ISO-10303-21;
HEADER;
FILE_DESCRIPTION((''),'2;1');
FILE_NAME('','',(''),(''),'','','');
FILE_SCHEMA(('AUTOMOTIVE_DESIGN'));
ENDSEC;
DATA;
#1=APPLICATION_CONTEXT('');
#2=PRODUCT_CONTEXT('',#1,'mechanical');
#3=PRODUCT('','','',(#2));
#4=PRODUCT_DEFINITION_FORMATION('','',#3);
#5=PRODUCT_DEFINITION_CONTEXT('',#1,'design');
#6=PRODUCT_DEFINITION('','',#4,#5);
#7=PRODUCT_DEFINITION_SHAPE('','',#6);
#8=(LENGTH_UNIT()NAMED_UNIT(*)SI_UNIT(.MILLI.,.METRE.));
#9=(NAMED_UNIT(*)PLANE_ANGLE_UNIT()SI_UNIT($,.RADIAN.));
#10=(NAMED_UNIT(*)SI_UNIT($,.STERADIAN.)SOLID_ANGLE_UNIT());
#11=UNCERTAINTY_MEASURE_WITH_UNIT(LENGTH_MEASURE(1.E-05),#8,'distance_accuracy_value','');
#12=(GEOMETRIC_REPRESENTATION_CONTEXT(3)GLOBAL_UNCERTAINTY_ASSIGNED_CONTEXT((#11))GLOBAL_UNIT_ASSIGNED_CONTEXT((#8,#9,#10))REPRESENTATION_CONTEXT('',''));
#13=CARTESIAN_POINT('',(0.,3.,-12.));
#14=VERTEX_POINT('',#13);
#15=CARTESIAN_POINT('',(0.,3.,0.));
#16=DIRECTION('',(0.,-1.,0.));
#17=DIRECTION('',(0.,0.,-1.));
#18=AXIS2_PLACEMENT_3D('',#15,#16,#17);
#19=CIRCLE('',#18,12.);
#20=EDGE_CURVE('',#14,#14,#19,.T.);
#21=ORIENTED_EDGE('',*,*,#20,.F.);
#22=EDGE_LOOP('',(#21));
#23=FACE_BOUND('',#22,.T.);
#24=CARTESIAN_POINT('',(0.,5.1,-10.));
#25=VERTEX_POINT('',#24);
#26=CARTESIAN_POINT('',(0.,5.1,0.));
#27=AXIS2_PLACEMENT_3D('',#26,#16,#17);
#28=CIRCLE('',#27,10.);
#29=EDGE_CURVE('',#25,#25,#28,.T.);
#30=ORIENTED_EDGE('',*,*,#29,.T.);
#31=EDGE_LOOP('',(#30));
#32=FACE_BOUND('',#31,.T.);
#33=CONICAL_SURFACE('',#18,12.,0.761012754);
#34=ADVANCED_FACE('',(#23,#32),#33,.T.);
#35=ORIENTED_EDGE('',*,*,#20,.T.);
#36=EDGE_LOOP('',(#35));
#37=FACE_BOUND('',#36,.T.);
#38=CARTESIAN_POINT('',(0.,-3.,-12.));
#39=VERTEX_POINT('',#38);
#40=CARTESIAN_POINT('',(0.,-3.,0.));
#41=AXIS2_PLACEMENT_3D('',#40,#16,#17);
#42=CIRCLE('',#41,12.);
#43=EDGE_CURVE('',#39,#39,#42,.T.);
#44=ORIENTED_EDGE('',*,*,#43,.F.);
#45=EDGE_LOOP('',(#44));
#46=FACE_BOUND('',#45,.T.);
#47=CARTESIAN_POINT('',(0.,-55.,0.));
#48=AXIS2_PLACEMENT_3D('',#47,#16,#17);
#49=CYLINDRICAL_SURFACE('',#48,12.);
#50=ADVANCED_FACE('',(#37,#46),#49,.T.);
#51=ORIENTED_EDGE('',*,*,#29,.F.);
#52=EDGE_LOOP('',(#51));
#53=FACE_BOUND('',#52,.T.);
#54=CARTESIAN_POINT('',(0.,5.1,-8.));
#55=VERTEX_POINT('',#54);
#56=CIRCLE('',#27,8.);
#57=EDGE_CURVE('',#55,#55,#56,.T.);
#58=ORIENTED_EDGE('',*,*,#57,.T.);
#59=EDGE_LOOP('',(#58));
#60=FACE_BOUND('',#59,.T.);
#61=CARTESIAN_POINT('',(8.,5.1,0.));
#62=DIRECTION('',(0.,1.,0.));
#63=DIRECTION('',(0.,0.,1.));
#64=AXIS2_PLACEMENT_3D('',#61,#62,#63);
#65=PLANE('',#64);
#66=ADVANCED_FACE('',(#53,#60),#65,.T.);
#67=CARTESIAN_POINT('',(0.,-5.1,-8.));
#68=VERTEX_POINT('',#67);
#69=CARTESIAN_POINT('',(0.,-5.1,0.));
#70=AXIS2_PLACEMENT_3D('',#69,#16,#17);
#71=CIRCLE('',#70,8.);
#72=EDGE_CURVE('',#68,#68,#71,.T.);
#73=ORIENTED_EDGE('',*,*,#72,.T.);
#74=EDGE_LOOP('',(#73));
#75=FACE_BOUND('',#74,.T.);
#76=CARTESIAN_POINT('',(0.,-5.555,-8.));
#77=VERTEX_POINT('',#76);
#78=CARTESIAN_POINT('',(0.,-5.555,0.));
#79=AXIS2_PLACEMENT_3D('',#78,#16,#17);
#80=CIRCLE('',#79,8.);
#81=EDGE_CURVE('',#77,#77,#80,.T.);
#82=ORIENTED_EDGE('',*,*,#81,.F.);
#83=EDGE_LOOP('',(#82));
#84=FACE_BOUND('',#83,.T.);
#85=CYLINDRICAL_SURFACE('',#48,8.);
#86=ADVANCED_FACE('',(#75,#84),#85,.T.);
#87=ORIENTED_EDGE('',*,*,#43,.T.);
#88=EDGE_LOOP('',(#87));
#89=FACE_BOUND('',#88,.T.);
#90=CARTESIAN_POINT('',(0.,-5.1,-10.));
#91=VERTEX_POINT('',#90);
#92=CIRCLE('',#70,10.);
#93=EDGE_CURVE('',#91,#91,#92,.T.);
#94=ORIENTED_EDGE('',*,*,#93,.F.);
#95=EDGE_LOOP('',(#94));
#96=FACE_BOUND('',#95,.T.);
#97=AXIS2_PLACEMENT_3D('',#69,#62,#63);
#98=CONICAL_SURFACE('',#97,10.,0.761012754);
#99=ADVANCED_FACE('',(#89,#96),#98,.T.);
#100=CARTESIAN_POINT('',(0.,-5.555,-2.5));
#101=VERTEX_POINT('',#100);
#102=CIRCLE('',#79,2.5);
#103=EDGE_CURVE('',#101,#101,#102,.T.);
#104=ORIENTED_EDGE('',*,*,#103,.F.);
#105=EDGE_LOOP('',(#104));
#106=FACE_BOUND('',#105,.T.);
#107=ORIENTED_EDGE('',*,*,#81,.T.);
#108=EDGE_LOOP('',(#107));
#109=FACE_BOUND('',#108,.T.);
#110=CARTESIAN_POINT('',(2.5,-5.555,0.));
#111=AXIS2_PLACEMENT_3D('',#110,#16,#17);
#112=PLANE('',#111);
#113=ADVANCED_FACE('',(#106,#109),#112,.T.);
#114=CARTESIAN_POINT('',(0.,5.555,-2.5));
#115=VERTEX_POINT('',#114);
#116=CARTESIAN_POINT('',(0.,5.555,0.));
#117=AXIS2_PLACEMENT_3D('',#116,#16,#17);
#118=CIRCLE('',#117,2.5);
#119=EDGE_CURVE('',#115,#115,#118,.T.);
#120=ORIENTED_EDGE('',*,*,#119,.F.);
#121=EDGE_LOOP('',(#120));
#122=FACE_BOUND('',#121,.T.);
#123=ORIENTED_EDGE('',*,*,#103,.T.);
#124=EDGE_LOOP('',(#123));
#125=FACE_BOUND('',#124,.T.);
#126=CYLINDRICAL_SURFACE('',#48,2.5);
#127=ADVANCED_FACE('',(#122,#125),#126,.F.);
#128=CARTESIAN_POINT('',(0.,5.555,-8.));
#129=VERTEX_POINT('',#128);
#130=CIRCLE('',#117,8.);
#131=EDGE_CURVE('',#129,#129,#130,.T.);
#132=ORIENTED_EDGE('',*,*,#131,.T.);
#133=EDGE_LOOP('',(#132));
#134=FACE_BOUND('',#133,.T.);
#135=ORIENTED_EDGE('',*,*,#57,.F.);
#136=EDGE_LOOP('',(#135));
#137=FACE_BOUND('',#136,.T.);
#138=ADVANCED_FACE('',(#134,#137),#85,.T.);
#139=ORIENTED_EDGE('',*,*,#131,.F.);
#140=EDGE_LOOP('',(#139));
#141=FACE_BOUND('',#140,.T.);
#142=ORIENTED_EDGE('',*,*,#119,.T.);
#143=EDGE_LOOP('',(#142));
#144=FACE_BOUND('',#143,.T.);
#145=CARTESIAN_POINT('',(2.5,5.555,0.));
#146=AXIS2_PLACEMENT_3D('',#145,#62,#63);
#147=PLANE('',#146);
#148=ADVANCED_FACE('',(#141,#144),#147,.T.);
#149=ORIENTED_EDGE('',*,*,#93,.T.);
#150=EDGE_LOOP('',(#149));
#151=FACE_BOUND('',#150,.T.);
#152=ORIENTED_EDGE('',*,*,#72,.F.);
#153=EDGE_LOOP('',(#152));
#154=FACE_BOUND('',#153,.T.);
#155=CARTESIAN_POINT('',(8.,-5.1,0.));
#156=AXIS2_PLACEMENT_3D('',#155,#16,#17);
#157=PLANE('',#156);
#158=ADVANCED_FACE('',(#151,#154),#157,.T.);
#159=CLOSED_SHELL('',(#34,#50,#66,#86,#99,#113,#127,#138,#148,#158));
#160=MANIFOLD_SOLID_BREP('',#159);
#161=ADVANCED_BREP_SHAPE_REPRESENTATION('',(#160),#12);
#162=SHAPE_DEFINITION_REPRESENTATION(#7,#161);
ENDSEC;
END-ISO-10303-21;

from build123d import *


with BuildPart() as part:
    # Sketch1 → Revolve1 (revolve)
    with BuildSketch(Plane.XY, mode=Mode.PRIVATE) as revolve1_sk:
        Polygon((2.5, -5.555), (2.5, 5.555), (8, 5.555), (8, 5.1), (10, 5.1), (12, 3), (12, -3), (10, -5.1), (8, -5.1), (8, -5.555), align=None)
    revolve(revolve1_sk.sketch.rotate(Axis((0, -55, 0), (0, 1, 0)), 90), axis=Axis((0, -55, 0), (0, 1, 0)))


solid = part.part
